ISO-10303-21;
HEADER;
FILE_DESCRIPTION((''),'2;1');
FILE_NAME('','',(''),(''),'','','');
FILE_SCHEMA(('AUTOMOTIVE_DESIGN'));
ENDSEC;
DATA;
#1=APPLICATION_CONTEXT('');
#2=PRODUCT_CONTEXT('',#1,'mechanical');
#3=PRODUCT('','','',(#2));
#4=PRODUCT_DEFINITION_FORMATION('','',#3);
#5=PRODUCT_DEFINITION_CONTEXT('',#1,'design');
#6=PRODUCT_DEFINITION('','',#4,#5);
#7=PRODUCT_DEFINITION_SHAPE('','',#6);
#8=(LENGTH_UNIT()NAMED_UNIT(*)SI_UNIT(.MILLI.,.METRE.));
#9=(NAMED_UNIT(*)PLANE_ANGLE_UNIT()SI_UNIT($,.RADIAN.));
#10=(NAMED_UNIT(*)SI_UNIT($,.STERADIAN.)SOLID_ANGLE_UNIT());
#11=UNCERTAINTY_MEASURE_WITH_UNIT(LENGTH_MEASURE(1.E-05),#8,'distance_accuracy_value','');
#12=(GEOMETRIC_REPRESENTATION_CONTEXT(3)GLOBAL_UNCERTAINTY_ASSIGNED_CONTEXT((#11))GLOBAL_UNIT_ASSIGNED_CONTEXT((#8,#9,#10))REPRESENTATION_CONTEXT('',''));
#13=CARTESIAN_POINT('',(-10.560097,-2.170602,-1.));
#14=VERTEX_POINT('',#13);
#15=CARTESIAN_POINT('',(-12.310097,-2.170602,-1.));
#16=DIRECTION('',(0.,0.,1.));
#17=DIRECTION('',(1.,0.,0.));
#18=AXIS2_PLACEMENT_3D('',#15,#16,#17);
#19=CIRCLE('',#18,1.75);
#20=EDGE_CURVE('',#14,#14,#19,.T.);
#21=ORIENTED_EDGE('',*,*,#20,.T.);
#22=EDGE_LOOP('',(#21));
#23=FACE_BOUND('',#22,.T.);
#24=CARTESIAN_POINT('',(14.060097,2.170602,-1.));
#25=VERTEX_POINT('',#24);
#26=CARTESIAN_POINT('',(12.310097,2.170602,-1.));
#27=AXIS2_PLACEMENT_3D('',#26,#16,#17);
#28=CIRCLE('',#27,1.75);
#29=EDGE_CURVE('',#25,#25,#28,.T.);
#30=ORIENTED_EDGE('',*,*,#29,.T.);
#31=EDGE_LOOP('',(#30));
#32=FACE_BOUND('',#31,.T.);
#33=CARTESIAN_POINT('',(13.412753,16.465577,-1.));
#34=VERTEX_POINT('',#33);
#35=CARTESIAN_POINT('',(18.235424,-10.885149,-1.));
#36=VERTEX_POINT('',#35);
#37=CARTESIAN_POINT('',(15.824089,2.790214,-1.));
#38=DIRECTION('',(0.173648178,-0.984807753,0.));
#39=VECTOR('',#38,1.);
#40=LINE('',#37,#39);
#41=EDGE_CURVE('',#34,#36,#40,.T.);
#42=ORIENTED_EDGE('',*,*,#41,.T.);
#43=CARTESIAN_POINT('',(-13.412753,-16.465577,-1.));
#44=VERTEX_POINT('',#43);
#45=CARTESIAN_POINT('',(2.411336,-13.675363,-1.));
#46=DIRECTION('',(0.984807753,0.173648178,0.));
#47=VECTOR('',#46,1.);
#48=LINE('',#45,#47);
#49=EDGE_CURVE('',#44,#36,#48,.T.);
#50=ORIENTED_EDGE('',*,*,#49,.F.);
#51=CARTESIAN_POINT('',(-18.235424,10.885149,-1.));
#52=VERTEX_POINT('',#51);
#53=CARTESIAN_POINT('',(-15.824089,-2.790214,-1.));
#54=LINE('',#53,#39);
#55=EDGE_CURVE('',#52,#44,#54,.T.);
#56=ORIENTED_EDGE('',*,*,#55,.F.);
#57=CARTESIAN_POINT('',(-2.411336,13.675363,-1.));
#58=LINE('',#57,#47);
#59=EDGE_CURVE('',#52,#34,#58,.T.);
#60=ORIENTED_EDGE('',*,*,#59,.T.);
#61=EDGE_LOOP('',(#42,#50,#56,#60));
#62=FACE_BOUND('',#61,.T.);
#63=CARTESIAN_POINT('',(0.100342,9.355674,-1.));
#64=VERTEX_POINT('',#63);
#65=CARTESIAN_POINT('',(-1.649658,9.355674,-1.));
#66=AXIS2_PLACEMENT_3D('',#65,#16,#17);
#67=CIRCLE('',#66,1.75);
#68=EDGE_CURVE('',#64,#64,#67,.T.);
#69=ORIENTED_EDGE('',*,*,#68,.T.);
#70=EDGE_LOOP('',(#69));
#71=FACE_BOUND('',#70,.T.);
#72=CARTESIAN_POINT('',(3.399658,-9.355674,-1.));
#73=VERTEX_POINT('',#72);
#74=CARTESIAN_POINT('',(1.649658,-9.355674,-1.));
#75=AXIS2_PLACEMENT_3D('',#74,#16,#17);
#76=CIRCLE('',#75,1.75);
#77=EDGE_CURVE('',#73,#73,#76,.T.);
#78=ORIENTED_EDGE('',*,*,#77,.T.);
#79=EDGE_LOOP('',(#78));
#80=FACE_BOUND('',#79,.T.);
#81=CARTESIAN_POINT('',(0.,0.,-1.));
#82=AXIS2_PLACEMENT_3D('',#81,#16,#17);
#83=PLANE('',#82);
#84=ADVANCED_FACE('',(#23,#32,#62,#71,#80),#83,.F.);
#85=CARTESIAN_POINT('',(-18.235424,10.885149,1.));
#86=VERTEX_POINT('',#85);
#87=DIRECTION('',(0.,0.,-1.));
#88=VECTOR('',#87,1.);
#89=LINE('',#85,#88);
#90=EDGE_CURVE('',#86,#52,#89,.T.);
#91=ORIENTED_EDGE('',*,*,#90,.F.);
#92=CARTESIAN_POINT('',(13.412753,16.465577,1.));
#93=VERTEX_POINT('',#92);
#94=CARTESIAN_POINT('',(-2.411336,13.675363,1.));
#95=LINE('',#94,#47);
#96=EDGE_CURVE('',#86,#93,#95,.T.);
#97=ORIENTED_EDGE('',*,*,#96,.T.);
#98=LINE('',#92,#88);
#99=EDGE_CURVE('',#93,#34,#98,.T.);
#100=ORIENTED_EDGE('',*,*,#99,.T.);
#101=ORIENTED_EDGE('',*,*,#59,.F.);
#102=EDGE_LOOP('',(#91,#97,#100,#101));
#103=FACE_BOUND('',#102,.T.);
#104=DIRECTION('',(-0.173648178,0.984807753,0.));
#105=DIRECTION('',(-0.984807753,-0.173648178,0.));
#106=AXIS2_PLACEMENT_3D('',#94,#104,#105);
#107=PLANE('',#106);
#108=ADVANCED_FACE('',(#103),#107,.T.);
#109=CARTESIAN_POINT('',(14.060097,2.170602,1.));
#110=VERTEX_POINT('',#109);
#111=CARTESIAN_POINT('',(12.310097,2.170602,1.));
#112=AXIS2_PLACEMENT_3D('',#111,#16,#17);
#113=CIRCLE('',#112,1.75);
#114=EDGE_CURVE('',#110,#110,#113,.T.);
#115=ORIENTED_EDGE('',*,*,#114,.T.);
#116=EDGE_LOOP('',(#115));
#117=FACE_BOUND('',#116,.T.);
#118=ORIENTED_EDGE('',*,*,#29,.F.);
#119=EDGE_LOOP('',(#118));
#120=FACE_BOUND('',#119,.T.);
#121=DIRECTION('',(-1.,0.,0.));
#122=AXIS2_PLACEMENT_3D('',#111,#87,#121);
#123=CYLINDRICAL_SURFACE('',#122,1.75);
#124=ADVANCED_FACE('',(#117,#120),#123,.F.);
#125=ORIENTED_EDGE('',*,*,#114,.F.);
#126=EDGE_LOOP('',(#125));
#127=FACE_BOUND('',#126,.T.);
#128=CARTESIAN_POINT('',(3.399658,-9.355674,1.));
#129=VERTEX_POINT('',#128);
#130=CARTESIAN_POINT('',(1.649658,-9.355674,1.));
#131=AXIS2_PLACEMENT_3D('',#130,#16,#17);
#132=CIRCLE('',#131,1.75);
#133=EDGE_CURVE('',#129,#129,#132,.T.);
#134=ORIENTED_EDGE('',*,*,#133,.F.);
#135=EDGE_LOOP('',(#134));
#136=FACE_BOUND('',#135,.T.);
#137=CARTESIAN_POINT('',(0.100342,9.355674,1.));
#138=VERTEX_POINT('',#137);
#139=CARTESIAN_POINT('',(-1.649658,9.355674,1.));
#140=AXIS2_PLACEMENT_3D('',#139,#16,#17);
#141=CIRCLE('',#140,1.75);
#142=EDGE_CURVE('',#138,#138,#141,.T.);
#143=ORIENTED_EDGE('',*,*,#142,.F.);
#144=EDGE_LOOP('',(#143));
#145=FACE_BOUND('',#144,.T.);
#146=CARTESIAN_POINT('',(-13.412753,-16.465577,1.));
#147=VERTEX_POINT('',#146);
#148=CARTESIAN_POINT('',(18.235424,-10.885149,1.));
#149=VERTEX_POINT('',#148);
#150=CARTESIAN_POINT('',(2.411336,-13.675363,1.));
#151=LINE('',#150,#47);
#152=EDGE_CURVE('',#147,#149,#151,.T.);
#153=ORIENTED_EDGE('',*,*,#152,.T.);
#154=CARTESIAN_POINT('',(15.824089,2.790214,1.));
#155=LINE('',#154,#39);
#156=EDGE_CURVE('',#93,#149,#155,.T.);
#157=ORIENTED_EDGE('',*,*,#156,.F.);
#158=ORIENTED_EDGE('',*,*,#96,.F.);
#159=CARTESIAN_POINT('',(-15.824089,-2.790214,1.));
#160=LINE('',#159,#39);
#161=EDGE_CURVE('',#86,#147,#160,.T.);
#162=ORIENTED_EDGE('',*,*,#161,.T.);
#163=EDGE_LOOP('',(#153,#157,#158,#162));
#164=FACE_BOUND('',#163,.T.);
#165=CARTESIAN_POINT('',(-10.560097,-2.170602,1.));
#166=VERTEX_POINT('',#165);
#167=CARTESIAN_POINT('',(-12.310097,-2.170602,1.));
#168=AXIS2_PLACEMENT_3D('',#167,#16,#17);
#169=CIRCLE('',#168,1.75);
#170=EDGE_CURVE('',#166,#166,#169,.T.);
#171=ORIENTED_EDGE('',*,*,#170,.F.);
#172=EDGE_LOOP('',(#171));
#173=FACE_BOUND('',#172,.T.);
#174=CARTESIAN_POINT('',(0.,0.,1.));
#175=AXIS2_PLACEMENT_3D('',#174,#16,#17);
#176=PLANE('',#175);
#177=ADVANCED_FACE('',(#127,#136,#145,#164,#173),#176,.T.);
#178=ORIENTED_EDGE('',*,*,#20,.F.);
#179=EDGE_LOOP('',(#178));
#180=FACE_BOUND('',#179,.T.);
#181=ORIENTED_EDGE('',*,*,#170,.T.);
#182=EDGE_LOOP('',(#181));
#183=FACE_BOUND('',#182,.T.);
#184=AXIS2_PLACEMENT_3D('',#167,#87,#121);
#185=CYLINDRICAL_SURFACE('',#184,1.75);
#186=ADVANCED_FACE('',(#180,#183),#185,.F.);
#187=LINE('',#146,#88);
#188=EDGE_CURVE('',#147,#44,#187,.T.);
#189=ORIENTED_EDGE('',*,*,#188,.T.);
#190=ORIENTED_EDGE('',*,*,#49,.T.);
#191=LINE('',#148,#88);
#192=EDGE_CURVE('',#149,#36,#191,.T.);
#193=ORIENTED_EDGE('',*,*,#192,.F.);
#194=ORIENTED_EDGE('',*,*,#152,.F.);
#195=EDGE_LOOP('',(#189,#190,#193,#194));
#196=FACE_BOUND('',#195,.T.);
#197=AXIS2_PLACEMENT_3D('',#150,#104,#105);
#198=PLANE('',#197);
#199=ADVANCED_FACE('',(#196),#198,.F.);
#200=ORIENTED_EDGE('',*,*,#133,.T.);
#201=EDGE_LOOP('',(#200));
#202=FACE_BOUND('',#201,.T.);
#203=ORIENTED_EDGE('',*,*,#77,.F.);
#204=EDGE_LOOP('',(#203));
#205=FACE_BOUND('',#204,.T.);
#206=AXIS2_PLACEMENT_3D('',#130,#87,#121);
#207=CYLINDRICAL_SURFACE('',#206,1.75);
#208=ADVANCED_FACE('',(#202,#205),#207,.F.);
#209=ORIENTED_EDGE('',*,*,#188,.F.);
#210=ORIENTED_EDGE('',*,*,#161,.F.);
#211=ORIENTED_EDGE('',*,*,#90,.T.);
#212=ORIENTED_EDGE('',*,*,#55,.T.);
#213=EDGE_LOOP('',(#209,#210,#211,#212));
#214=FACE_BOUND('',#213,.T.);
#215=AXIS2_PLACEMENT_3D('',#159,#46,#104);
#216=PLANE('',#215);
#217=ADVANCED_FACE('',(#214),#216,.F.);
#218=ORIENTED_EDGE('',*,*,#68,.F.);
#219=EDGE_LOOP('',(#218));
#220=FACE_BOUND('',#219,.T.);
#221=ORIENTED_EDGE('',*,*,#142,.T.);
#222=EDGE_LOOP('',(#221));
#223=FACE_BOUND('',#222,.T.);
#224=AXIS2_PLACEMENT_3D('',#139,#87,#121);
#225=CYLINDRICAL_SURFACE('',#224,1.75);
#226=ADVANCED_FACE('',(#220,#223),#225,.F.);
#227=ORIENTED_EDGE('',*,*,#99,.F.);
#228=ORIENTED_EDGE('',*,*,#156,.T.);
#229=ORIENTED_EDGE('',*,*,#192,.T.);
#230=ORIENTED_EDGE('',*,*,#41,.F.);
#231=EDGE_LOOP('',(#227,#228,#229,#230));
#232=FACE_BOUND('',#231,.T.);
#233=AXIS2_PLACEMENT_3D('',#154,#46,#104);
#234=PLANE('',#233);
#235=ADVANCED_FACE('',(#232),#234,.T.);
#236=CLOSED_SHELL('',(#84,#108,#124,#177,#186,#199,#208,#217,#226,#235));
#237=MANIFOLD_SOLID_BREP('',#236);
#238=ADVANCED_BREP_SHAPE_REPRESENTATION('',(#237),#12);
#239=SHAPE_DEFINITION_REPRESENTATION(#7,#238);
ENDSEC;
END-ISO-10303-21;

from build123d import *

# Parameters (mm, degrees)
SKETCH1_W           = 32.13640153
SKETCH1_H           = 27.772655408
SKETCH1_R           = 3
SKETCH1_R_2         = 1.75
BOSS_EXTRUDE1_DEPTH = 1


with BuildPart() as part:
    # Sketch1 → Boss-Extrude1 (new, symmetric)
    # profile 1 of 5: a face of its own
    with BuildSketch(Plane(origin=(0, 0, 0), x_dir=(-0.9848077530122068, -0.17364817766693766, 0), z_dir=(0, 0, 1))):
        Rectangle(SKETCH1_W, SKETCH1_H)
        with Locations((0, -9.5)):
            Circle(SKETCH1_R, mode=Mode.SUBTRACT)
        with Locations((12.5, 0)):
            Circle(SKETCH1_R, mode=Mode.SUBTRACT)
        with Locations((0, 9.5)):
            Circle(SKETCH1_R, mode=Mode.SUBTRACT)
        with Locations((-12.5, 0)):
            Circle(SKETCH1_R, mode=Mode.SUBTRACT)
    # profile 2 of 5: a face of its own
    with BuildSketch(Plane(origin=(0, 0, 0), x_dir=(-0.9848077530122068, -0.17364817766693766, 0), z_dir=(0, 0, 1))):
        with Locations((-12.5, 0)):
            Circle(SKETCH1_R)
        with Locations(Location((-12.5, 0, 0), (0, 0, 170))):
            Circle(SKETCH1_R_2, mode=Mode.SUBTRACT)
    # profile 3 of 5: a face of its own
    with BuildSketch(Plane(origin=(0, 0, 0), x_dir=(-0.9848077530122068, -0.17364817766693766, 0), z_dir=(0, 0, 1))):
        with Locations((0, -9.5)):
            Circle(SKETCH1_R)
        with Locations(Location((0, -9.5, 0), (0, 0, 170))):
            Circle(SKETCH1_R_2, mode=Mode.SUBTRACT)
    # profile 4 of 5: a face of its own
    with BuildSketch(Plane(origin=(0, 0, 0), x_dir=(-0.9848077530122068, -0.17364817766693766, 0), z_dir=(0, 0, 1))):
        with Locations((0, 9.5)):
            Circle(SKETCH1_R)
        with Locations(Location((0, 9.5, 0), (0, 0, 170))):
            Circle(SKETCH1_R_2, mode=Mode.SUBTRACT)
    # profile 5 of 5: a face of its own
    with BuildSketch(Plane(origin=(0, 0, 0), x_dir=(-0.9848077530122068, -0.17364817766693766, 0), z_dir=(0, 0, 1))):
        with Locations((12.5, 0)):
            Circle(SKETCH1_R)
        with Locations(Location((12.5, 0, 0), (0, 0, 170))):
            Circle(SKETCH1_R_2, mode=Mode.SUBTRACT)
    extrude(amount=BOSS_EXTRUDE1_DEPTH, both=True)


solid = part.part
